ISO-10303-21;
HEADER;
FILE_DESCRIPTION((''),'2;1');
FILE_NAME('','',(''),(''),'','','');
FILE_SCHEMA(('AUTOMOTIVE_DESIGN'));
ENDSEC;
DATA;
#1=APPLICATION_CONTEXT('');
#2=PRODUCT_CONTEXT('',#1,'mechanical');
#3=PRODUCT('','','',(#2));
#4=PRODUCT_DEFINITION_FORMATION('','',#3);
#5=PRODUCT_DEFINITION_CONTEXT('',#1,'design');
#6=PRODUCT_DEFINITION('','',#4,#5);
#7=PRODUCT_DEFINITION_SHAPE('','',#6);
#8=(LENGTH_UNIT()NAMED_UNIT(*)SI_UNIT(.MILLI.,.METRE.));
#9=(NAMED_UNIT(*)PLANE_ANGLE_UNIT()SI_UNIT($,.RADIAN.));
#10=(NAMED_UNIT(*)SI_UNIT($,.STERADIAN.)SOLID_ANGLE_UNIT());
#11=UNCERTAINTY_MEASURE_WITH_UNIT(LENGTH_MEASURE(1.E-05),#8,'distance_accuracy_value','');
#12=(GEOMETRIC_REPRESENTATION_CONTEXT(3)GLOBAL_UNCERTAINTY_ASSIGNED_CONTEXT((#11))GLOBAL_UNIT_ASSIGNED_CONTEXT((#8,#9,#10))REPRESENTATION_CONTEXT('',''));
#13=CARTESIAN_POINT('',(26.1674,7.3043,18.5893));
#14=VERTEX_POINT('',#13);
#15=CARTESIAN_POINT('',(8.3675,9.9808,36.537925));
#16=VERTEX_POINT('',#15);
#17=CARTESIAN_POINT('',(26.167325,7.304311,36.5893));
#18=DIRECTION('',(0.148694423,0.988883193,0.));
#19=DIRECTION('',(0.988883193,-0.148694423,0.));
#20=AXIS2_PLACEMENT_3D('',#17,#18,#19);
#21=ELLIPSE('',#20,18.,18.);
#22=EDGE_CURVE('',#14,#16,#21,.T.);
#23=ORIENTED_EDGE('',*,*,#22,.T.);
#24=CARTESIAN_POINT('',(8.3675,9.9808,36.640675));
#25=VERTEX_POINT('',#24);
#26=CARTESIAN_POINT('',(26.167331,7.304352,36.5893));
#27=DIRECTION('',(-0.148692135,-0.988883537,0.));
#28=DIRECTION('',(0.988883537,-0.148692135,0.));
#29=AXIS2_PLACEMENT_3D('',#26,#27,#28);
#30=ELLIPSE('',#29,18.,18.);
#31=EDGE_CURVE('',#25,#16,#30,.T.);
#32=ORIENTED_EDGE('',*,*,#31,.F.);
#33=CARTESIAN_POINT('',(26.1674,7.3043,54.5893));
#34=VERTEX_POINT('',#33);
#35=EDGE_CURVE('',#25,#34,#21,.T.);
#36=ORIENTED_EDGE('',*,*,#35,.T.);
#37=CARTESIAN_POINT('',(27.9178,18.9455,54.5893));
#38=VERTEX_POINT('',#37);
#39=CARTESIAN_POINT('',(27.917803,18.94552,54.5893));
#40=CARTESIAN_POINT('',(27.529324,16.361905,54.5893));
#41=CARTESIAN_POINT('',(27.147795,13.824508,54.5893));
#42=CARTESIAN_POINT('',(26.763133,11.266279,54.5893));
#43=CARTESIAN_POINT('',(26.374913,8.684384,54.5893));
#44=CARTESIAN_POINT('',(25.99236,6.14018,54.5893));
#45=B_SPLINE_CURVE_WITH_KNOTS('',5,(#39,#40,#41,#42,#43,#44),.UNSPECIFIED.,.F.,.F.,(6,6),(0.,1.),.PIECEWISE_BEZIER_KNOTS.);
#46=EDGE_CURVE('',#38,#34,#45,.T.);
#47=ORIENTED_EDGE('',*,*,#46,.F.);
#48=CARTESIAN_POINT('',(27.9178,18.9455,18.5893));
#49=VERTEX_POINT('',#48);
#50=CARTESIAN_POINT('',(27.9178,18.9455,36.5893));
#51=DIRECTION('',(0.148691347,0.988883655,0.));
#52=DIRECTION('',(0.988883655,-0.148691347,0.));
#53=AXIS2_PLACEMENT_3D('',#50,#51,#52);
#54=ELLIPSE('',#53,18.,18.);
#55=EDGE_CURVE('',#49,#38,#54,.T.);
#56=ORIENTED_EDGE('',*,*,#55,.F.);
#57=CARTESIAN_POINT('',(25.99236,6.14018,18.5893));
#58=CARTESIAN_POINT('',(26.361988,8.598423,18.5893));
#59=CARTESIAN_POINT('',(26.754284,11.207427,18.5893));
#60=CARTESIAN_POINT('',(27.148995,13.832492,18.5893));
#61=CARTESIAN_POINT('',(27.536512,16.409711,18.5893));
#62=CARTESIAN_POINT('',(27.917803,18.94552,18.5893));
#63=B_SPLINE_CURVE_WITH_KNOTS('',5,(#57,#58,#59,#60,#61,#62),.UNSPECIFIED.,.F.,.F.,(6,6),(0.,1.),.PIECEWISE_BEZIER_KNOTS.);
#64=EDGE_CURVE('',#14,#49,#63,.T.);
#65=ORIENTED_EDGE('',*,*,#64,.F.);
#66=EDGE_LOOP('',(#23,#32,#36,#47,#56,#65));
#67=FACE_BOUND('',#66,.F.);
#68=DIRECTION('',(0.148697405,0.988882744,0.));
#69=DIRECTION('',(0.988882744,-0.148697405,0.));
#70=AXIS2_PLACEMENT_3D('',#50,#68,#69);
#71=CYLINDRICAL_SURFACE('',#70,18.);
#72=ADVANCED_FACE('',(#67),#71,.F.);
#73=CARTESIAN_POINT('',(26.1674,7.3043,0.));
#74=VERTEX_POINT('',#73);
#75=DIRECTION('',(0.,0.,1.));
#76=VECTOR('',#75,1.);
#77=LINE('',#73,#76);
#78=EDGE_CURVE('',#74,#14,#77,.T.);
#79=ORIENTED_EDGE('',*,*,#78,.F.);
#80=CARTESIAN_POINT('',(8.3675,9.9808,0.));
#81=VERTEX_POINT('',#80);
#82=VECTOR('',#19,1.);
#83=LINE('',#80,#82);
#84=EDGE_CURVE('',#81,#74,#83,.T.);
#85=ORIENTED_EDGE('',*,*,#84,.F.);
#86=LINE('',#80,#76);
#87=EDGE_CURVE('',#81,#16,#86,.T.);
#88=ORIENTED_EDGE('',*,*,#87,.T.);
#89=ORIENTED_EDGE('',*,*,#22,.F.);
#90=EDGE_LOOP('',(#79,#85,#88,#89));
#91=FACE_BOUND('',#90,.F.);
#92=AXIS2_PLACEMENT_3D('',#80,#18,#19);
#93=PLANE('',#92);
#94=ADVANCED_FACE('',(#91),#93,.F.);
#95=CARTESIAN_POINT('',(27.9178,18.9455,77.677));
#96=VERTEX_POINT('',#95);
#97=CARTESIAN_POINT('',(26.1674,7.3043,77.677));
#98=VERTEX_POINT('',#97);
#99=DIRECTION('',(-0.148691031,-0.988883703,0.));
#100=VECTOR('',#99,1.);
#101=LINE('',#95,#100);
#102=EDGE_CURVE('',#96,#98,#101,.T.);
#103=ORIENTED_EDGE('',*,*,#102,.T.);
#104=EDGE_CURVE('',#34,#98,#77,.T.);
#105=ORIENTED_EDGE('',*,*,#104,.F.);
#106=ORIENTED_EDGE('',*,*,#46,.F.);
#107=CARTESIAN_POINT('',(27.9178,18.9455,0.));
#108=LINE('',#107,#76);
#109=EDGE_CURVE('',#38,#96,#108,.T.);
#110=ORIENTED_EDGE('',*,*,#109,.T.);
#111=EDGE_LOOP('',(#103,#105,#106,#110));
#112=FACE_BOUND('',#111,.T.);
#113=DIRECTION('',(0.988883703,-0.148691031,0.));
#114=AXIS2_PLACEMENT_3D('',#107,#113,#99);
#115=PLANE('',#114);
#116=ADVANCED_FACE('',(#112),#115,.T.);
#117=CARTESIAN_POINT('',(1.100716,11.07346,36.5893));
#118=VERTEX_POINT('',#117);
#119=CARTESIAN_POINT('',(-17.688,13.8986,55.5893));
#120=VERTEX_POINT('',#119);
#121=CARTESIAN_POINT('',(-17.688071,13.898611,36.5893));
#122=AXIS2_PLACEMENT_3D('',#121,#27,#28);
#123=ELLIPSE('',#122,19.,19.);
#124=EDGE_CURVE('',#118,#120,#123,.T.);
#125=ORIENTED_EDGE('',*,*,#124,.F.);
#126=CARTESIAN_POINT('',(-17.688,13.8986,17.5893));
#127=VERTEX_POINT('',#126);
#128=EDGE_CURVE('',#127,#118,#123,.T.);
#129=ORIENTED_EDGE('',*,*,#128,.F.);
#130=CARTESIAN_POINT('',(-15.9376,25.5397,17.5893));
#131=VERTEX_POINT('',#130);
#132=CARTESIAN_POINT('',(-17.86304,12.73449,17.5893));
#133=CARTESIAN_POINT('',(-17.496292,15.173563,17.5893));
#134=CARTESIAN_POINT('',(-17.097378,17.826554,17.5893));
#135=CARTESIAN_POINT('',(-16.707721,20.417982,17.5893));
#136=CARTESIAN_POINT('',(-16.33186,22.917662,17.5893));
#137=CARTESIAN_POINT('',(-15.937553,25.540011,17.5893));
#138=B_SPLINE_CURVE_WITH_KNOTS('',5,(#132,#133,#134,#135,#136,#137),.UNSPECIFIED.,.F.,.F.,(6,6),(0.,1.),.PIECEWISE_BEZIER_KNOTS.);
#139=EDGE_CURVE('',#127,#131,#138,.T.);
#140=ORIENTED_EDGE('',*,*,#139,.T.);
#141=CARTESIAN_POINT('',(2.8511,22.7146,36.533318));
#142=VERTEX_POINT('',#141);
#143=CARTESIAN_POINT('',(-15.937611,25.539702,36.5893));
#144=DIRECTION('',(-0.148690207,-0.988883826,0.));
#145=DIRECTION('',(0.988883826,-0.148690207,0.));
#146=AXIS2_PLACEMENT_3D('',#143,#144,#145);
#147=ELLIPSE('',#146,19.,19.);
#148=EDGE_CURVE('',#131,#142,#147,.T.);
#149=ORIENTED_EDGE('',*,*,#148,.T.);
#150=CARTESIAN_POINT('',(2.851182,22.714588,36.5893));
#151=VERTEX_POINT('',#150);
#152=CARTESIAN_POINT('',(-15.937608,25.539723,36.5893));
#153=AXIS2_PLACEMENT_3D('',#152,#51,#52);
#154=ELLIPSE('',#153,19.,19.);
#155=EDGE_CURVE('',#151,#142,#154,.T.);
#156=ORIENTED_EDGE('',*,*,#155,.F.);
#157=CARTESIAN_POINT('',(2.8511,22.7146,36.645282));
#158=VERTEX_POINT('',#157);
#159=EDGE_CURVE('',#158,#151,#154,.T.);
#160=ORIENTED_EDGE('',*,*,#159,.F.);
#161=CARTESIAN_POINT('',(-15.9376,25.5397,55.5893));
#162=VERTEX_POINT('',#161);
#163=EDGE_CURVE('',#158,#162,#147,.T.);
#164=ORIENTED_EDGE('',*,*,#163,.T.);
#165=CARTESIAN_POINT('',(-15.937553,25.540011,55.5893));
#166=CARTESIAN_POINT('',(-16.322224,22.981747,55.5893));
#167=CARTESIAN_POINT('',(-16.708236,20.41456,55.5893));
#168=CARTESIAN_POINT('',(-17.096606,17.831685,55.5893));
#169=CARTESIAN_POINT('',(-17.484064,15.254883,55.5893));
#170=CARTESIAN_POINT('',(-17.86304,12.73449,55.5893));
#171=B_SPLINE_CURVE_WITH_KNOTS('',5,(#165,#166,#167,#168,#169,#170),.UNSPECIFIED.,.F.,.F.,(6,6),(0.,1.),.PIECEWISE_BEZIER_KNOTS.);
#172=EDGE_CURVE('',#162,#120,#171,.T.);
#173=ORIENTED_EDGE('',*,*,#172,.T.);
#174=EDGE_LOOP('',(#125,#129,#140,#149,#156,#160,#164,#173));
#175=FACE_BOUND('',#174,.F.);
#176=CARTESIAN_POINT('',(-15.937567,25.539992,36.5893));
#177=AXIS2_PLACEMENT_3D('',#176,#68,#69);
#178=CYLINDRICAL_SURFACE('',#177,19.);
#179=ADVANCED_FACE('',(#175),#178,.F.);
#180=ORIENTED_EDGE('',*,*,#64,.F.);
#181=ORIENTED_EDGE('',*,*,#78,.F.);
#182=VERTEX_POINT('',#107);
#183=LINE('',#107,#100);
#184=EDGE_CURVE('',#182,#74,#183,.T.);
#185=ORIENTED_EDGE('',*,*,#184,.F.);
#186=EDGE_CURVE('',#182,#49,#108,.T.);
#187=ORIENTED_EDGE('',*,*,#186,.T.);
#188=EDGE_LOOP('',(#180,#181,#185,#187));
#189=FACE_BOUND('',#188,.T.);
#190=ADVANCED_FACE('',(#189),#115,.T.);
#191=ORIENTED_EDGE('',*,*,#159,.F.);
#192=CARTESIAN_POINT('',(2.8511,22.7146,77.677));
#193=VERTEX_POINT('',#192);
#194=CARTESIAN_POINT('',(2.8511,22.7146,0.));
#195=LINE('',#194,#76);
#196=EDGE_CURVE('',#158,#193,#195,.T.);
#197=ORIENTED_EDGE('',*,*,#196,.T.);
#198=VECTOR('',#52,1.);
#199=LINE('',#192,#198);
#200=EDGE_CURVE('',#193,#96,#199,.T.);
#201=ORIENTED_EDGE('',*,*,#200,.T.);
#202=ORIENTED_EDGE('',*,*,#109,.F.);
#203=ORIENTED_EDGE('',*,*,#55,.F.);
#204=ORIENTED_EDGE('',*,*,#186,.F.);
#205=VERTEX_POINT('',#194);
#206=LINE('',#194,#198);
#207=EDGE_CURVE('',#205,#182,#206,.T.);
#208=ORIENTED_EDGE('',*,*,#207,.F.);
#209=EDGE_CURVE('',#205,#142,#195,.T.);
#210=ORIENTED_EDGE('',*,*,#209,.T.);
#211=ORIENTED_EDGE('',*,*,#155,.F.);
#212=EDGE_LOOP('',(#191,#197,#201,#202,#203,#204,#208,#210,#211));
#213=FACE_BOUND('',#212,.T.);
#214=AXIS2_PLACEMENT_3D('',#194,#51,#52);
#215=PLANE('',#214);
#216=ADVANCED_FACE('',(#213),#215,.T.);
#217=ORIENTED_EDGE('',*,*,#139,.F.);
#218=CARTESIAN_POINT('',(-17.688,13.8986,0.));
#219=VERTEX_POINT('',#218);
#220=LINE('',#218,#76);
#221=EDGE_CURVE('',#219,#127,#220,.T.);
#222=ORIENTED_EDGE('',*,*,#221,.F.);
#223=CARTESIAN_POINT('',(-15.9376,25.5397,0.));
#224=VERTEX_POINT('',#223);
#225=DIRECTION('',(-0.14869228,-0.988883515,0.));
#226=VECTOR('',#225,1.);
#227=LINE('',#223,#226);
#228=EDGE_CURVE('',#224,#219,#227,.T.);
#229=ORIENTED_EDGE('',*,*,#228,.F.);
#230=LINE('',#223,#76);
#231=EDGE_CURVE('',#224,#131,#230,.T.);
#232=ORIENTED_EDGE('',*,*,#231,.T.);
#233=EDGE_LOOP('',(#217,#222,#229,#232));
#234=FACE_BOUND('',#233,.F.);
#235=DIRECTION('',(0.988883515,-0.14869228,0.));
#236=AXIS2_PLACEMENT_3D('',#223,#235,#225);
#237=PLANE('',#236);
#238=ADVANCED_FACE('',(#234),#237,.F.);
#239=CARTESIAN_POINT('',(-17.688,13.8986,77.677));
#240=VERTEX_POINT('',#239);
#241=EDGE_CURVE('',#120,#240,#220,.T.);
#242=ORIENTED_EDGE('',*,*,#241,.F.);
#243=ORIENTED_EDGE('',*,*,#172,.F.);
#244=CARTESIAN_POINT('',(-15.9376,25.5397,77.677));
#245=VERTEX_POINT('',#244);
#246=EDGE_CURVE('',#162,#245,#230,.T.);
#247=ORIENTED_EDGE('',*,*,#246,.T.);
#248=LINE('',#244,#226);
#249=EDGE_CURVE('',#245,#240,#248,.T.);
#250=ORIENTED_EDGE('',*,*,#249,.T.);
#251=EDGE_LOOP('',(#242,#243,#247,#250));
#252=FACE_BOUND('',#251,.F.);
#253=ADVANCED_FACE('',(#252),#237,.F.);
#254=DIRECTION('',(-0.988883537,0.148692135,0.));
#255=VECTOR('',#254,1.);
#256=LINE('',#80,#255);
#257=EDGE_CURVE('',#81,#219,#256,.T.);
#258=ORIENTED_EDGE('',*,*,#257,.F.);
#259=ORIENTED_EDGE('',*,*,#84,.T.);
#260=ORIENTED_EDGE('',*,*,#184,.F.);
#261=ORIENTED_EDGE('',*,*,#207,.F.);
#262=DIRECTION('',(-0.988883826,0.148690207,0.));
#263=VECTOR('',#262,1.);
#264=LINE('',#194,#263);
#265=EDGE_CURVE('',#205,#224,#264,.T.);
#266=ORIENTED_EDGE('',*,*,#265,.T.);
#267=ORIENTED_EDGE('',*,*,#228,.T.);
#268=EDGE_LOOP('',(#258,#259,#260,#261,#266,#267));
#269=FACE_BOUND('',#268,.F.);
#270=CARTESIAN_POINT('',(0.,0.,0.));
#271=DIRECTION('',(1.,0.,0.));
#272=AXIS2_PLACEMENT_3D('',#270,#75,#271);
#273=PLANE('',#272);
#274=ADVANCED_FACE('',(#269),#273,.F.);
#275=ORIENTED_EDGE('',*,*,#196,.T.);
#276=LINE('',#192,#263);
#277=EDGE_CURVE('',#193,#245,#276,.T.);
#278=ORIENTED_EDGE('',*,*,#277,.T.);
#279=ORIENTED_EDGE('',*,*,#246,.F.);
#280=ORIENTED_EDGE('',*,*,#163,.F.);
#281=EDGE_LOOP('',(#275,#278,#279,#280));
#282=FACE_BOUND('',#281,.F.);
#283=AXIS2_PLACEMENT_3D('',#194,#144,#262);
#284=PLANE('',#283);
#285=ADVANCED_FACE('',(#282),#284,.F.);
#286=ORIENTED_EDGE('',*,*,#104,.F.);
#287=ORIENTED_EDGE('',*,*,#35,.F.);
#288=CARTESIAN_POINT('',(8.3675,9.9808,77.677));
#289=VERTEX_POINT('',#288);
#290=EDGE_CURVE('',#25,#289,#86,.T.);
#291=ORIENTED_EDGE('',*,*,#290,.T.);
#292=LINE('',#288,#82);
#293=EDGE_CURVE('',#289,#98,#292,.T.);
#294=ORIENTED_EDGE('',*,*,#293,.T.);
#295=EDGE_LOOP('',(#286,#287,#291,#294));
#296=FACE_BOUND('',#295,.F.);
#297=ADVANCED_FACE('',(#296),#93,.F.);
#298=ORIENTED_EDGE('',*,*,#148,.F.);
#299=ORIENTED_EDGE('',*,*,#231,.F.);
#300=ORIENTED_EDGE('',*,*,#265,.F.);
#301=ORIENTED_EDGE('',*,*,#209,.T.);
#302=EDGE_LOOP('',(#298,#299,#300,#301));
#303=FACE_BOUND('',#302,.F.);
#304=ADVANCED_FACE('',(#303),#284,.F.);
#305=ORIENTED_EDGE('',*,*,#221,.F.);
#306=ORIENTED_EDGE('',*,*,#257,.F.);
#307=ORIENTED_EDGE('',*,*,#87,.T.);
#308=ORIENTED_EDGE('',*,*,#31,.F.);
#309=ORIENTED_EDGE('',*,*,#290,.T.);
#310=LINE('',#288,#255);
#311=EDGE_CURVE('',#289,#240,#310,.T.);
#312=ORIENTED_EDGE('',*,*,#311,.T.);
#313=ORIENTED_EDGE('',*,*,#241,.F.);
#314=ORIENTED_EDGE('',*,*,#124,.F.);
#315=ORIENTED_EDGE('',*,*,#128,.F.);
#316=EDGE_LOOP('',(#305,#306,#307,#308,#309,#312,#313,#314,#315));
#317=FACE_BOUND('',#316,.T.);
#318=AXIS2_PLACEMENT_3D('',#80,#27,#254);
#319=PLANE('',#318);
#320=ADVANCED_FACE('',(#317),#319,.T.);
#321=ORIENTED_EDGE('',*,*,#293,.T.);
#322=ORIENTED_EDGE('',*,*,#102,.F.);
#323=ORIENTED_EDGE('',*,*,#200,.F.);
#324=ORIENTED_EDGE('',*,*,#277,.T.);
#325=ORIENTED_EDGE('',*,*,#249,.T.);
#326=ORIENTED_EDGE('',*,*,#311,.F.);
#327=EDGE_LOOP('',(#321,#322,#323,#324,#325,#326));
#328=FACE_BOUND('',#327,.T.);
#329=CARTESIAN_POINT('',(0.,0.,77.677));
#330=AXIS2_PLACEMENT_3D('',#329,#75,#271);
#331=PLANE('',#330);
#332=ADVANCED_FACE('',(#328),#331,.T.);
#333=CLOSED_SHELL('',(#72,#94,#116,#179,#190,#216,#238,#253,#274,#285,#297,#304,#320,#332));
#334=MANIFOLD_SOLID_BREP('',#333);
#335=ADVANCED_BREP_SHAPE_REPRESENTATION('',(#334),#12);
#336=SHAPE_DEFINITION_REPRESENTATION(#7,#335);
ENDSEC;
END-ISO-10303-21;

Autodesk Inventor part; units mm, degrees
ref_plane "YZ Plane" through (0, 0, 0) normal (1, 0, 0) x (0, 1, 0)
ref_plane "XZ Plane" through (0, 0, 0) normal (0, 1, 0) x (-1, 0, 0)
ref_plane "Work Plane1" through (0, 0, 0) normal (0, 0, 1) x (1, 0, 0)
sketch "Sketch1" plane through (0, 0, 0) normal (0, 0, 1) x (1, 0, 0)
  line L0 (46.9411, 24.4056) -> (43.9673, 4.6279) construction
  line L1 (-34.7264, 28.3648) -> (-39.7819, -5.2572) construction
  line L2 (9.0191, -106.7418) -> (35.6521, 70.3833) construction
  line L3 (-3.8449, 105.9638) -> (-30.4779, -71.1613) construction
  line L4 (8.3675, 9.9808) -> (26.1674, 7.3043)
  line L5 (8.3675, 9.9808) -> (-17.688, 13.8986)
  line L6 (2.8511, 22.7146) -> (27.9178, 18.9455)
  line L7 (2.8511, 22.7146) -> (-15.9376, 25.5397)
  line L8 (-15.9376, 25.5397) -> (-17.688, 13.8986)
  line L9 (27.9178, 18.9455) -> (26.1674, 7.3043)
  point P0 (0, 0)
ref_plane "Work Plane2" through (-150.8486, -254.8124, 77.677) normal (0, 0, -1) x (0, 1, 0)
extrude "Extrusion1" add sketch "Sketch1" along normal up to surface (77.677 mm away)
sketch "Sketch2" plane through (27.9178, 18.9455, 77.677) normal (0.1487, 0.9889, 0) x (0.9889, -0.1487, 0)
  circle A0 centre (0, 41.0877) radius 18 construction
  circle A1 centre (-44.3484, 41.0877) radius 19 construction
  circle A2 centre (-44.3484, 41.0877) radius 19
  circle A3 centre (0, 41.0877) radius 18
  point P0 (-24.7904, 77.677)
extrude "Extrusion2" cut sketch "Sketch2" against normal through all
properties part number "motor mount center"
